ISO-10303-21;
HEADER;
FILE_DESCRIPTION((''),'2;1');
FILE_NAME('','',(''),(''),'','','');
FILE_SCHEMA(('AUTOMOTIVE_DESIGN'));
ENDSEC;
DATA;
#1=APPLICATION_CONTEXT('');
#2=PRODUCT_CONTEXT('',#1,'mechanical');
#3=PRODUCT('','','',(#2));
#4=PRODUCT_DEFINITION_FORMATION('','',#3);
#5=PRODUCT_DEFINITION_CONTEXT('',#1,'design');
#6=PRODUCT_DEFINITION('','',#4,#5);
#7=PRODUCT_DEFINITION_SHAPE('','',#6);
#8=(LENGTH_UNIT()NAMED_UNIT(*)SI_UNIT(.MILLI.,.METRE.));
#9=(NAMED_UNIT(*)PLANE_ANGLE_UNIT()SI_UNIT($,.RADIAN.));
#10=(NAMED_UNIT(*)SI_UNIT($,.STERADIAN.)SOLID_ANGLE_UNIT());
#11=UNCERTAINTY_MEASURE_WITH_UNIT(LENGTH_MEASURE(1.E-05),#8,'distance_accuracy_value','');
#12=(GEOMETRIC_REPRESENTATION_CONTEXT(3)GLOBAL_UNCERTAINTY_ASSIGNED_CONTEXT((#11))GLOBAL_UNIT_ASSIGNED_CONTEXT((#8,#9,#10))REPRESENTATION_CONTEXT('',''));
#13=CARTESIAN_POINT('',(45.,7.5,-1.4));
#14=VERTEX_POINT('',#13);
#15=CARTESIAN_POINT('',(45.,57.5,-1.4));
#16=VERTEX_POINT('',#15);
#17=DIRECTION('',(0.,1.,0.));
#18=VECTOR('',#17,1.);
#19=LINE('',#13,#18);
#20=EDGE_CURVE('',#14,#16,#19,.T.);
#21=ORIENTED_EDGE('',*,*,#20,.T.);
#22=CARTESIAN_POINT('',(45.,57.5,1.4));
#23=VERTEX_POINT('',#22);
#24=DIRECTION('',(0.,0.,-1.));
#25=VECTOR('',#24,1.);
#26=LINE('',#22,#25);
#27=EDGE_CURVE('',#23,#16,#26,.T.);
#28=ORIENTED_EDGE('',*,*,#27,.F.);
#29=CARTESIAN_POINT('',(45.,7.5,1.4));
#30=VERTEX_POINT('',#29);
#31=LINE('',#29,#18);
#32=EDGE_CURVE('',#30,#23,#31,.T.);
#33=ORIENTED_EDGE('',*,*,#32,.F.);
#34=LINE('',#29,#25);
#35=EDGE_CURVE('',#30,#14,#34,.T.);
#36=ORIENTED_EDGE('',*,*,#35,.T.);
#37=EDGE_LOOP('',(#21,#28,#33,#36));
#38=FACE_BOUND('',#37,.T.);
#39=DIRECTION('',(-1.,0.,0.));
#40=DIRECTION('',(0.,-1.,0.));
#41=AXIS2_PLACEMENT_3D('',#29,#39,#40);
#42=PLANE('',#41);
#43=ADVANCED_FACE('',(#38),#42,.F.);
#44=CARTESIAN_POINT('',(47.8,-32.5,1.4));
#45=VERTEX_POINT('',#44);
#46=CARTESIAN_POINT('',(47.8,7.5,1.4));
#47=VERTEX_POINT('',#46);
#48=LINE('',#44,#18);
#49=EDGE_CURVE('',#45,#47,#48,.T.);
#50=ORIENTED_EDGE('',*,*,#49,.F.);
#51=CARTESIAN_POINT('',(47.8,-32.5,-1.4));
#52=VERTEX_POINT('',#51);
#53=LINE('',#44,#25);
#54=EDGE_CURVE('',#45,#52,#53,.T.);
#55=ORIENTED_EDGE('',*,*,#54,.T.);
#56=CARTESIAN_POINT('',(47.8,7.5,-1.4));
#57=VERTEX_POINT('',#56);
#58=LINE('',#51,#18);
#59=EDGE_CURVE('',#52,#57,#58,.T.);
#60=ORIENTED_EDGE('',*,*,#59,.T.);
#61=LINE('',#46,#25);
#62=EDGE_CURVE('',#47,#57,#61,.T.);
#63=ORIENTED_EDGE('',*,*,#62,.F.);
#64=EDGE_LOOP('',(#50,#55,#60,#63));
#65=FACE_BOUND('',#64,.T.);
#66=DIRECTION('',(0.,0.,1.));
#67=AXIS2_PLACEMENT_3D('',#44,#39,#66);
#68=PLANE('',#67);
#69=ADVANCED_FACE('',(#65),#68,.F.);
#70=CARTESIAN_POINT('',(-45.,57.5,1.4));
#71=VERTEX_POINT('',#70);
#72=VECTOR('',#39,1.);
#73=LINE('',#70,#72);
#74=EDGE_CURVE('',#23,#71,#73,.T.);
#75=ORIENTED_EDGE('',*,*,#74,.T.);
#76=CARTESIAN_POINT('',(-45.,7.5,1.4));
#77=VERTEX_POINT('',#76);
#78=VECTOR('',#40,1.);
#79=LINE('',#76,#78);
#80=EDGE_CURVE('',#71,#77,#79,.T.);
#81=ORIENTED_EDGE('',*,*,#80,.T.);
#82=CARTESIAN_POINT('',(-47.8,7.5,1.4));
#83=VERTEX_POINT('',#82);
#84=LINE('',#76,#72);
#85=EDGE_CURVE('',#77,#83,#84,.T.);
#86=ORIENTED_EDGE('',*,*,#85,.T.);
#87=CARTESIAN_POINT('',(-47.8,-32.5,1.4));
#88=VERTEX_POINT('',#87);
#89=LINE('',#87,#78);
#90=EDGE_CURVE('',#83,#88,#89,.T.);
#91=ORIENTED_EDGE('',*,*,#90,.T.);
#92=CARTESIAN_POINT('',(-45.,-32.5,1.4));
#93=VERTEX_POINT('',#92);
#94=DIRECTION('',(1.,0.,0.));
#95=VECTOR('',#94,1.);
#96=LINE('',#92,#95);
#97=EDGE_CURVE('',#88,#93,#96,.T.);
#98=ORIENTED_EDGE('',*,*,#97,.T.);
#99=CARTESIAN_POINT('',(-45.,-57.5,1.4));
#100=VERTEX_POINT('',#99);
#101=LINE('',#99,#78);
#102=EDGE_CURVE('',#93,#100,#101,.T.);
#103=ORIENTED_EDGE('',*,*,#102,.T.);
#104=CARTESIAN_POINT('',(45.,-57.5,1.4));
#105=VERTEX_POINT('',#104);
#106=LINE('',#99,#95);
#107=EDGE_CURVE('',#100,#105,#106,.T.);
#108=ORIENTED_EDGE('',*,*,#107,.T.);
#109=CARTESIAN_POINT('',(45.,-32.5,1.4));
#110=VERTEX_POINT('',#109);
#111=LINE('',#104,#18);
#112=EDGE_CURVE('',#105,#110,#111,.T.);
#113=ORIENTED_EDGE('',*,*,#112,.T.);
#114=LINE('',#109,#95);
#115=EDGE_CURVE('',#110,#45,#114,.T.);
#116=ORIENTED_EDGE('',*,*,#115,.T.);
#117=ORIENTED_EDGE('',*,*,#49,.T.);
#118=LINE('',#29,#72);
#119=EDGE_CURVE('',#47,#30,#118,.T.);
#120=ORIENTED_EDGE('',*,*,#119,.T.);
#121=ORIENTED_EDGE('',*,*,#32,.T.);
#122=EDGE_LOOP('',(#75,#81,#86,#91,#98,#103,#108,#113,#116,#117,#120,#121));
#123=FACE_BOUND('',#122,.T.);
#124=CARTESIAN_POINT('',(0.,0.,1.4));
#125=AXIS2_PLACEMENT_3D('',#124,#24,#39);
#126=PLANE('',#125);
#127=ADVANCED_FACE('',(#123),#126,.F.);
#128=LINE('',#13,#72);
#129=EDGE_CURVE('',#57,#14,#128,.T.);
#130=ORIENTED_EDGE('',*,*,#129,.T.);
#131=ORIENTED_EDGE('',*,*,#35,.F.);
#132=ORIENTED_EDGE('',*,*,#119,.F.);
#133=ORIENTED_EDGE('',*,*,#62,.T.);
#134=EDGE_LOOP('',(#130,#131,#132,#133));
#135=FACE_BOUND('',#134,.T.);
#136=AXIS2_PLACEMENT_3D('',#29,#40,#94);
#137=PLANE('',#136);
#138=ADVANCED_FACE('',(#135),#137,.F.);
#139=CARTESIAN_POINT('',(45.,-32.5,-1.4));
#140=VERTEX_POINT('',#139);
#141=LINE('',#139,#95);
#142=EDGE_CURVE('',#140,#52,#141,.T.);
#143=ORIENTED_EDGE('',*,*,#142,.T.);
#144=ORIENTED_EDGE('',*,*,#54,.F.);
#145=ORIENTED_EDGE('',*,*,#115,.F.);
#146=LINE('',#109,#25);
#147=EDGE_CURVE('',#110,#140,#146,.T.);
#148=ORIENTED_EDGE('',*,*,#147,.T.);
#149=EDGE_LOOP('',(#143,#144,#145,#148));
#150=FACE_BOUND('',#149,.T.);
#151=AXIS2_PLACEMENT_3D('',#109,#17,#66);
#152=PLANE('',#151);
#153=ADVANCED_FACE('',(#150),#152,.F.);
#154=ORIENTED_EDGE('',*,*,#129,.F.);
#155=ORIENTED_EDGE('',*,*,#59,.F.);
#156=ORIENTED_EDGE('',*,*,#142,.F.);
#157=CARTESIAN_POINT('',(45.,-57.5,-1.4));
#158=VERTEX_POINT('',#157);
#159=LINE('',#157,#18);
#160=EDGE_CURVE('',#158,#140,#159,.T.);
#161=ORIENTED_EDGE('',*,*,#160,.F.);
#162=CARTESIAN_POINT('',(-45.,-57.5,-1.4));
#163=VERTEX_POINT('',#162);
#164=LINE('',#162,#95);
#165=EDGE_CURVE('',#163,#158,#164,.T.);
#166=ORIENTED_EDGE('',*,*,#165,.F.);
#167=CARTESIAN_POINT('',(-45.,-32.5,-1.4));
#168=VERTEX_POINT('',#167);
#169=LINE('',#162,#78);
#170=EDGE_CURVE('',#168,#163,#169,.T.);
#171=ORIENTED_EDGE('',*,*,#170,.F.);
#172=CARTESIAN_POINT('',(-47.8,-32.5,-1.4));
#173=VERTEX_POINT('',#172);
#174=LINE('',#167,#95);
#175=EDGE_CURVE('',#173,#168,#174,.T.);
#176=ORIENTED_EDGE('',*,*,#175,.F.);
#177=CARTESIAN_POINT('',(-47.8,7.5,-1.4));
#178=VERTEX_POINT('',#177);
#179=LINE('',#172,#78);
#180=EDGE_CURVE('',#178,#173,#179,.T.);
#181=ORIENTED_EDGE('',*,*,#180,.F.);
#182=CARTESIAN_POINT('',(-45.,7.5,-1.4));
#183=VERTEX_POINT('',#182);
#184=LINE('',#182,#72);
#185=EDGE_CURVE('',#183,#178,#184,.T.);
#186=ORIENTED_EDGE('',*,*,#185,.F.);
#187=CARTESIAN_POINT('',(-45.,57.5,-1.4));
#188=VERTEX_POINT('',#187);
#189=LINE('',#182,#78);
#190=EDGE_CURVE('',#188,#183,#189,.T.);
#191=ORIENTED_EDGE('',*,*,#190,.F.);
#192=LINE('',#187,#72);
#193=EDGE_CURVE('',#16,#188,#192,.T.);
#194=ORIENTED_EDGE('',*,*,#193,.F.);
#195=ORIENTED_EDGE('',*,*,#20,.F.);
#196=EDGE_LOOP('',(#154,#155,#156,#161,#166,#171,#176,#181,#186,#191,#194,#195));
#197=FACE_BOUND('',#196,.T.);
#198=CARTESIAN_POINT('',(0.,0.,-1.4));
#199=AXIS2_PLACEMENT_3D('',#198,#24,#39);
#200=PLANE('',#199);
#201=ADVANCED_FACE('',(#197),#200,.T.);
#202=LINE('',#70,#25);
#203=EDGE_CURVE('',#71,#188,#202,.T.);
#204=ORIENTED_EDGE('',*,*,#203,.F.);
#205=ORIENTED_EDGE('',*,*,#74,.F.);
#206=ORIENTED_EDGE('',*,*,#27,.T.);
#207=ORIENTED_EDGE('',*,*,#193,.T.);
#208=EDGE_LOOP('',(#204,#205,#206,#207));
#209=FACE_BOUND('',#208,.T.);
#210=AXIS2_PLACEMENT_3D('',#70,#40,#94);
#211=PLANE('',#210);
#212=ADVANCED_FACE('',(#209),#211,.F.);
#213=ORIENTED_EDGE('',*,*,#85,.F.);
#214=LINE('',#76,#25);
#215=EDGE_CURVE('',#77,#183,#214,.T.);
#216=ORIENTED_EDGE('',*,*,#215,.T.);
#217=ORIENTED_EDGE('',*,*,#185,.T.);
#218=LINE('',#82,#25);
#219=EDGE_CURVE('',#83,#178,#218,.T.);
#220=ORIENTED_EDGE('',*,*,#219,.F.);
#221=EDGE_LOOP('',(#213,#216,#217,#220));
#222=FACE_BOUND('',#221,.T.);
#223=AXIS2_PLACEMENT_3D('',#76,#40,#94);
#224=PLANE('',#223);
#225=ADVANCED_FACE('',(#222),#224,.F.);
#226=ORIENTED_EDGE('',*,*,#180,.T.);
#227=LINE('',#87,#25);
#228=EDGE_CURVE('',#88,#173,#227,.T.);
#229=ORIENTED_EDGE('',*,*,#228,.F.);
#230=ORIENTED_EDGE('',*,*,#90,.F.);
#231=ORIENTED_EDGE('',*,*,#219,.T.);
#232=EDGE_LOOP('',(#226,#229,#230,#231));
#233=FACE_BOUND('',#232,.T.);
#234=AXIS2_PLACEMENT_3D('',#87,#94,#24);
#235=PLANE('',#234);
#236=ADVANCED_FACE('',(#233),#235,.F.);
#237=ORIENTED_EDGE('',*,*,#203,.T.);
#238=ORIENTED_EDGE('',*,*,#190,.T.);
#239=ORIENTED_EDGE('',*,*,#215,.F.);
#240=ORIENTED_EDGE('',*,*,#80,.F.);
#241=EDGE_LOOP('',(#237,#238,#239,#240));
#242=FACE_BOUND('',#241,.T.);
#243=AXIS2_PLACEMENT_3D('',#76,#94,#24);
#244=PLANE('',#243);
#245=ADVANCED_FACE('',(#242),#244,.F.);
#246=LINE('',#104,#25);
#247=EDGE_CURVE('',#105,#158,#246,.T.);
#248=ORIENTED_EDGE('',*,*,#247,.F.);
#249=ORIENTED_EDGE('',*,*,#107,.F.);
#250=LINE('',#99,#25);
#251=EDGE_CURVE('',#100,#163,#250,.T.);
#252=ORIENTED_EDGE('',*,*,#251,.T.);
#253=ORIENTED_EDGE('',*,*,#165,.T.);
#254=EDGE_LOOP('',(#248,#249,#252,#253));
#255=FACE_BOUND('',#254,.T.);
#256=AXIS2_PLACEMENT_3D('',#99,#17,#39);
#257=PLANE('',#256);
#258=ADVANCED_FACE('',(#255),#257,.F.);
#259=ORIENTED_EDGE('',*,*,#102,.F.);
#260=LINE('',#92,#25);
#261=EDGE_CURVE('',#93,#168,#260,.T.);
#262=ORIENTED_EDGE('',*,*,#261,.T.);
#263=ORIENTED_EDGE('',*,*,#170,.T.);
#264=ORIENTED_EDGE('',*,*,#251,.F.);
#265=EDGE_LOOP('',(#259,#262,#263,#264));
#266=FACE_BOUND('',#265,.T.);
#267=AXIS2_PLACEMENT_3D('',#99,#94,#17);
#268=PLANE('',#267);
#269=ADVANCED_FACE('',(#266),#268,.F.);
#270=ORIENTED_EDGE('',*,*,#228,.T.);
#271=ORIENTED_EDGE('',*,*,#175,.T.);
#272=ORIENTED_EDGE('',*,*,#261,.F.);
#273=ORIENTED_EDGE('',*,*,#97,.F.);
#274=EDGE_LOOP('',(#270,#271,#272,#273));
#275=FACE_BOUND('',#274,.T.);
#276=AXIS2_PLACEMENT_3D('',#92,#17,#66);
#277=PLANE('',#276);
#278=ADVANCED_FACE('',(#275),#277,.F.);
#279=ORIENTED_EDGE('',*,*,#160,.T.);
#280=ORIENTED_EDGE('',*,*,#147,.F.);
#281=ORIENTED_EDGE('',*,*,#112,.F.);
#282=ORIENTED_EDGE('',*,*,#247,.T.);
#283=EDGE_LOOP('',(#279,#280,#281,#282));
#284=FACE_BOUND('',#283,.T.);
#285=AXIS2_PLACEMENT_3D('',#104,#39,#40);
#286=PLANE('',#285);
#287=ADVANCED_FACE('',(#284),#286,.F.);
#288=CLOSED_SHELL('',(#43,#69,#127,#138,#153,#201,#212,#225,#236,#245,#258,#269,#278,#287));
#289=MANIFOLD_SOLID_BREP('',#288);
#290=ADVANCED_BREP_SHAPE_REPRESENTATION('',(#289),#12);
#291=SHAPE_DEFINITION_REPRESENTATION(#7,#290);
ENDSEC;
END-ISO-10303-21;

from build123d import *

# Parameters (mm, degrees)
EXTRUDE_1_DEPTH = 1.4


with BuildPart() as part:
    # Эскиз1 → Бобышка-Вытянуть1 (new, symmetric)
    with BuildSketch(Plane.XY):
        Polygon((-45, 7.5), (-45, 57.5), (45, 57.5), (45, 7.5), (47.8, 7.5), (47.8, -32.5), (45, -32.5), (45, -57.5), (-45, -57.5), (-45, -32.5), (-47.8, -32.5), (-47.8, 7.5), align=None)
    extrude(amount=EXTRUDE_1_DEPTH, both=True)


solid = part.part
